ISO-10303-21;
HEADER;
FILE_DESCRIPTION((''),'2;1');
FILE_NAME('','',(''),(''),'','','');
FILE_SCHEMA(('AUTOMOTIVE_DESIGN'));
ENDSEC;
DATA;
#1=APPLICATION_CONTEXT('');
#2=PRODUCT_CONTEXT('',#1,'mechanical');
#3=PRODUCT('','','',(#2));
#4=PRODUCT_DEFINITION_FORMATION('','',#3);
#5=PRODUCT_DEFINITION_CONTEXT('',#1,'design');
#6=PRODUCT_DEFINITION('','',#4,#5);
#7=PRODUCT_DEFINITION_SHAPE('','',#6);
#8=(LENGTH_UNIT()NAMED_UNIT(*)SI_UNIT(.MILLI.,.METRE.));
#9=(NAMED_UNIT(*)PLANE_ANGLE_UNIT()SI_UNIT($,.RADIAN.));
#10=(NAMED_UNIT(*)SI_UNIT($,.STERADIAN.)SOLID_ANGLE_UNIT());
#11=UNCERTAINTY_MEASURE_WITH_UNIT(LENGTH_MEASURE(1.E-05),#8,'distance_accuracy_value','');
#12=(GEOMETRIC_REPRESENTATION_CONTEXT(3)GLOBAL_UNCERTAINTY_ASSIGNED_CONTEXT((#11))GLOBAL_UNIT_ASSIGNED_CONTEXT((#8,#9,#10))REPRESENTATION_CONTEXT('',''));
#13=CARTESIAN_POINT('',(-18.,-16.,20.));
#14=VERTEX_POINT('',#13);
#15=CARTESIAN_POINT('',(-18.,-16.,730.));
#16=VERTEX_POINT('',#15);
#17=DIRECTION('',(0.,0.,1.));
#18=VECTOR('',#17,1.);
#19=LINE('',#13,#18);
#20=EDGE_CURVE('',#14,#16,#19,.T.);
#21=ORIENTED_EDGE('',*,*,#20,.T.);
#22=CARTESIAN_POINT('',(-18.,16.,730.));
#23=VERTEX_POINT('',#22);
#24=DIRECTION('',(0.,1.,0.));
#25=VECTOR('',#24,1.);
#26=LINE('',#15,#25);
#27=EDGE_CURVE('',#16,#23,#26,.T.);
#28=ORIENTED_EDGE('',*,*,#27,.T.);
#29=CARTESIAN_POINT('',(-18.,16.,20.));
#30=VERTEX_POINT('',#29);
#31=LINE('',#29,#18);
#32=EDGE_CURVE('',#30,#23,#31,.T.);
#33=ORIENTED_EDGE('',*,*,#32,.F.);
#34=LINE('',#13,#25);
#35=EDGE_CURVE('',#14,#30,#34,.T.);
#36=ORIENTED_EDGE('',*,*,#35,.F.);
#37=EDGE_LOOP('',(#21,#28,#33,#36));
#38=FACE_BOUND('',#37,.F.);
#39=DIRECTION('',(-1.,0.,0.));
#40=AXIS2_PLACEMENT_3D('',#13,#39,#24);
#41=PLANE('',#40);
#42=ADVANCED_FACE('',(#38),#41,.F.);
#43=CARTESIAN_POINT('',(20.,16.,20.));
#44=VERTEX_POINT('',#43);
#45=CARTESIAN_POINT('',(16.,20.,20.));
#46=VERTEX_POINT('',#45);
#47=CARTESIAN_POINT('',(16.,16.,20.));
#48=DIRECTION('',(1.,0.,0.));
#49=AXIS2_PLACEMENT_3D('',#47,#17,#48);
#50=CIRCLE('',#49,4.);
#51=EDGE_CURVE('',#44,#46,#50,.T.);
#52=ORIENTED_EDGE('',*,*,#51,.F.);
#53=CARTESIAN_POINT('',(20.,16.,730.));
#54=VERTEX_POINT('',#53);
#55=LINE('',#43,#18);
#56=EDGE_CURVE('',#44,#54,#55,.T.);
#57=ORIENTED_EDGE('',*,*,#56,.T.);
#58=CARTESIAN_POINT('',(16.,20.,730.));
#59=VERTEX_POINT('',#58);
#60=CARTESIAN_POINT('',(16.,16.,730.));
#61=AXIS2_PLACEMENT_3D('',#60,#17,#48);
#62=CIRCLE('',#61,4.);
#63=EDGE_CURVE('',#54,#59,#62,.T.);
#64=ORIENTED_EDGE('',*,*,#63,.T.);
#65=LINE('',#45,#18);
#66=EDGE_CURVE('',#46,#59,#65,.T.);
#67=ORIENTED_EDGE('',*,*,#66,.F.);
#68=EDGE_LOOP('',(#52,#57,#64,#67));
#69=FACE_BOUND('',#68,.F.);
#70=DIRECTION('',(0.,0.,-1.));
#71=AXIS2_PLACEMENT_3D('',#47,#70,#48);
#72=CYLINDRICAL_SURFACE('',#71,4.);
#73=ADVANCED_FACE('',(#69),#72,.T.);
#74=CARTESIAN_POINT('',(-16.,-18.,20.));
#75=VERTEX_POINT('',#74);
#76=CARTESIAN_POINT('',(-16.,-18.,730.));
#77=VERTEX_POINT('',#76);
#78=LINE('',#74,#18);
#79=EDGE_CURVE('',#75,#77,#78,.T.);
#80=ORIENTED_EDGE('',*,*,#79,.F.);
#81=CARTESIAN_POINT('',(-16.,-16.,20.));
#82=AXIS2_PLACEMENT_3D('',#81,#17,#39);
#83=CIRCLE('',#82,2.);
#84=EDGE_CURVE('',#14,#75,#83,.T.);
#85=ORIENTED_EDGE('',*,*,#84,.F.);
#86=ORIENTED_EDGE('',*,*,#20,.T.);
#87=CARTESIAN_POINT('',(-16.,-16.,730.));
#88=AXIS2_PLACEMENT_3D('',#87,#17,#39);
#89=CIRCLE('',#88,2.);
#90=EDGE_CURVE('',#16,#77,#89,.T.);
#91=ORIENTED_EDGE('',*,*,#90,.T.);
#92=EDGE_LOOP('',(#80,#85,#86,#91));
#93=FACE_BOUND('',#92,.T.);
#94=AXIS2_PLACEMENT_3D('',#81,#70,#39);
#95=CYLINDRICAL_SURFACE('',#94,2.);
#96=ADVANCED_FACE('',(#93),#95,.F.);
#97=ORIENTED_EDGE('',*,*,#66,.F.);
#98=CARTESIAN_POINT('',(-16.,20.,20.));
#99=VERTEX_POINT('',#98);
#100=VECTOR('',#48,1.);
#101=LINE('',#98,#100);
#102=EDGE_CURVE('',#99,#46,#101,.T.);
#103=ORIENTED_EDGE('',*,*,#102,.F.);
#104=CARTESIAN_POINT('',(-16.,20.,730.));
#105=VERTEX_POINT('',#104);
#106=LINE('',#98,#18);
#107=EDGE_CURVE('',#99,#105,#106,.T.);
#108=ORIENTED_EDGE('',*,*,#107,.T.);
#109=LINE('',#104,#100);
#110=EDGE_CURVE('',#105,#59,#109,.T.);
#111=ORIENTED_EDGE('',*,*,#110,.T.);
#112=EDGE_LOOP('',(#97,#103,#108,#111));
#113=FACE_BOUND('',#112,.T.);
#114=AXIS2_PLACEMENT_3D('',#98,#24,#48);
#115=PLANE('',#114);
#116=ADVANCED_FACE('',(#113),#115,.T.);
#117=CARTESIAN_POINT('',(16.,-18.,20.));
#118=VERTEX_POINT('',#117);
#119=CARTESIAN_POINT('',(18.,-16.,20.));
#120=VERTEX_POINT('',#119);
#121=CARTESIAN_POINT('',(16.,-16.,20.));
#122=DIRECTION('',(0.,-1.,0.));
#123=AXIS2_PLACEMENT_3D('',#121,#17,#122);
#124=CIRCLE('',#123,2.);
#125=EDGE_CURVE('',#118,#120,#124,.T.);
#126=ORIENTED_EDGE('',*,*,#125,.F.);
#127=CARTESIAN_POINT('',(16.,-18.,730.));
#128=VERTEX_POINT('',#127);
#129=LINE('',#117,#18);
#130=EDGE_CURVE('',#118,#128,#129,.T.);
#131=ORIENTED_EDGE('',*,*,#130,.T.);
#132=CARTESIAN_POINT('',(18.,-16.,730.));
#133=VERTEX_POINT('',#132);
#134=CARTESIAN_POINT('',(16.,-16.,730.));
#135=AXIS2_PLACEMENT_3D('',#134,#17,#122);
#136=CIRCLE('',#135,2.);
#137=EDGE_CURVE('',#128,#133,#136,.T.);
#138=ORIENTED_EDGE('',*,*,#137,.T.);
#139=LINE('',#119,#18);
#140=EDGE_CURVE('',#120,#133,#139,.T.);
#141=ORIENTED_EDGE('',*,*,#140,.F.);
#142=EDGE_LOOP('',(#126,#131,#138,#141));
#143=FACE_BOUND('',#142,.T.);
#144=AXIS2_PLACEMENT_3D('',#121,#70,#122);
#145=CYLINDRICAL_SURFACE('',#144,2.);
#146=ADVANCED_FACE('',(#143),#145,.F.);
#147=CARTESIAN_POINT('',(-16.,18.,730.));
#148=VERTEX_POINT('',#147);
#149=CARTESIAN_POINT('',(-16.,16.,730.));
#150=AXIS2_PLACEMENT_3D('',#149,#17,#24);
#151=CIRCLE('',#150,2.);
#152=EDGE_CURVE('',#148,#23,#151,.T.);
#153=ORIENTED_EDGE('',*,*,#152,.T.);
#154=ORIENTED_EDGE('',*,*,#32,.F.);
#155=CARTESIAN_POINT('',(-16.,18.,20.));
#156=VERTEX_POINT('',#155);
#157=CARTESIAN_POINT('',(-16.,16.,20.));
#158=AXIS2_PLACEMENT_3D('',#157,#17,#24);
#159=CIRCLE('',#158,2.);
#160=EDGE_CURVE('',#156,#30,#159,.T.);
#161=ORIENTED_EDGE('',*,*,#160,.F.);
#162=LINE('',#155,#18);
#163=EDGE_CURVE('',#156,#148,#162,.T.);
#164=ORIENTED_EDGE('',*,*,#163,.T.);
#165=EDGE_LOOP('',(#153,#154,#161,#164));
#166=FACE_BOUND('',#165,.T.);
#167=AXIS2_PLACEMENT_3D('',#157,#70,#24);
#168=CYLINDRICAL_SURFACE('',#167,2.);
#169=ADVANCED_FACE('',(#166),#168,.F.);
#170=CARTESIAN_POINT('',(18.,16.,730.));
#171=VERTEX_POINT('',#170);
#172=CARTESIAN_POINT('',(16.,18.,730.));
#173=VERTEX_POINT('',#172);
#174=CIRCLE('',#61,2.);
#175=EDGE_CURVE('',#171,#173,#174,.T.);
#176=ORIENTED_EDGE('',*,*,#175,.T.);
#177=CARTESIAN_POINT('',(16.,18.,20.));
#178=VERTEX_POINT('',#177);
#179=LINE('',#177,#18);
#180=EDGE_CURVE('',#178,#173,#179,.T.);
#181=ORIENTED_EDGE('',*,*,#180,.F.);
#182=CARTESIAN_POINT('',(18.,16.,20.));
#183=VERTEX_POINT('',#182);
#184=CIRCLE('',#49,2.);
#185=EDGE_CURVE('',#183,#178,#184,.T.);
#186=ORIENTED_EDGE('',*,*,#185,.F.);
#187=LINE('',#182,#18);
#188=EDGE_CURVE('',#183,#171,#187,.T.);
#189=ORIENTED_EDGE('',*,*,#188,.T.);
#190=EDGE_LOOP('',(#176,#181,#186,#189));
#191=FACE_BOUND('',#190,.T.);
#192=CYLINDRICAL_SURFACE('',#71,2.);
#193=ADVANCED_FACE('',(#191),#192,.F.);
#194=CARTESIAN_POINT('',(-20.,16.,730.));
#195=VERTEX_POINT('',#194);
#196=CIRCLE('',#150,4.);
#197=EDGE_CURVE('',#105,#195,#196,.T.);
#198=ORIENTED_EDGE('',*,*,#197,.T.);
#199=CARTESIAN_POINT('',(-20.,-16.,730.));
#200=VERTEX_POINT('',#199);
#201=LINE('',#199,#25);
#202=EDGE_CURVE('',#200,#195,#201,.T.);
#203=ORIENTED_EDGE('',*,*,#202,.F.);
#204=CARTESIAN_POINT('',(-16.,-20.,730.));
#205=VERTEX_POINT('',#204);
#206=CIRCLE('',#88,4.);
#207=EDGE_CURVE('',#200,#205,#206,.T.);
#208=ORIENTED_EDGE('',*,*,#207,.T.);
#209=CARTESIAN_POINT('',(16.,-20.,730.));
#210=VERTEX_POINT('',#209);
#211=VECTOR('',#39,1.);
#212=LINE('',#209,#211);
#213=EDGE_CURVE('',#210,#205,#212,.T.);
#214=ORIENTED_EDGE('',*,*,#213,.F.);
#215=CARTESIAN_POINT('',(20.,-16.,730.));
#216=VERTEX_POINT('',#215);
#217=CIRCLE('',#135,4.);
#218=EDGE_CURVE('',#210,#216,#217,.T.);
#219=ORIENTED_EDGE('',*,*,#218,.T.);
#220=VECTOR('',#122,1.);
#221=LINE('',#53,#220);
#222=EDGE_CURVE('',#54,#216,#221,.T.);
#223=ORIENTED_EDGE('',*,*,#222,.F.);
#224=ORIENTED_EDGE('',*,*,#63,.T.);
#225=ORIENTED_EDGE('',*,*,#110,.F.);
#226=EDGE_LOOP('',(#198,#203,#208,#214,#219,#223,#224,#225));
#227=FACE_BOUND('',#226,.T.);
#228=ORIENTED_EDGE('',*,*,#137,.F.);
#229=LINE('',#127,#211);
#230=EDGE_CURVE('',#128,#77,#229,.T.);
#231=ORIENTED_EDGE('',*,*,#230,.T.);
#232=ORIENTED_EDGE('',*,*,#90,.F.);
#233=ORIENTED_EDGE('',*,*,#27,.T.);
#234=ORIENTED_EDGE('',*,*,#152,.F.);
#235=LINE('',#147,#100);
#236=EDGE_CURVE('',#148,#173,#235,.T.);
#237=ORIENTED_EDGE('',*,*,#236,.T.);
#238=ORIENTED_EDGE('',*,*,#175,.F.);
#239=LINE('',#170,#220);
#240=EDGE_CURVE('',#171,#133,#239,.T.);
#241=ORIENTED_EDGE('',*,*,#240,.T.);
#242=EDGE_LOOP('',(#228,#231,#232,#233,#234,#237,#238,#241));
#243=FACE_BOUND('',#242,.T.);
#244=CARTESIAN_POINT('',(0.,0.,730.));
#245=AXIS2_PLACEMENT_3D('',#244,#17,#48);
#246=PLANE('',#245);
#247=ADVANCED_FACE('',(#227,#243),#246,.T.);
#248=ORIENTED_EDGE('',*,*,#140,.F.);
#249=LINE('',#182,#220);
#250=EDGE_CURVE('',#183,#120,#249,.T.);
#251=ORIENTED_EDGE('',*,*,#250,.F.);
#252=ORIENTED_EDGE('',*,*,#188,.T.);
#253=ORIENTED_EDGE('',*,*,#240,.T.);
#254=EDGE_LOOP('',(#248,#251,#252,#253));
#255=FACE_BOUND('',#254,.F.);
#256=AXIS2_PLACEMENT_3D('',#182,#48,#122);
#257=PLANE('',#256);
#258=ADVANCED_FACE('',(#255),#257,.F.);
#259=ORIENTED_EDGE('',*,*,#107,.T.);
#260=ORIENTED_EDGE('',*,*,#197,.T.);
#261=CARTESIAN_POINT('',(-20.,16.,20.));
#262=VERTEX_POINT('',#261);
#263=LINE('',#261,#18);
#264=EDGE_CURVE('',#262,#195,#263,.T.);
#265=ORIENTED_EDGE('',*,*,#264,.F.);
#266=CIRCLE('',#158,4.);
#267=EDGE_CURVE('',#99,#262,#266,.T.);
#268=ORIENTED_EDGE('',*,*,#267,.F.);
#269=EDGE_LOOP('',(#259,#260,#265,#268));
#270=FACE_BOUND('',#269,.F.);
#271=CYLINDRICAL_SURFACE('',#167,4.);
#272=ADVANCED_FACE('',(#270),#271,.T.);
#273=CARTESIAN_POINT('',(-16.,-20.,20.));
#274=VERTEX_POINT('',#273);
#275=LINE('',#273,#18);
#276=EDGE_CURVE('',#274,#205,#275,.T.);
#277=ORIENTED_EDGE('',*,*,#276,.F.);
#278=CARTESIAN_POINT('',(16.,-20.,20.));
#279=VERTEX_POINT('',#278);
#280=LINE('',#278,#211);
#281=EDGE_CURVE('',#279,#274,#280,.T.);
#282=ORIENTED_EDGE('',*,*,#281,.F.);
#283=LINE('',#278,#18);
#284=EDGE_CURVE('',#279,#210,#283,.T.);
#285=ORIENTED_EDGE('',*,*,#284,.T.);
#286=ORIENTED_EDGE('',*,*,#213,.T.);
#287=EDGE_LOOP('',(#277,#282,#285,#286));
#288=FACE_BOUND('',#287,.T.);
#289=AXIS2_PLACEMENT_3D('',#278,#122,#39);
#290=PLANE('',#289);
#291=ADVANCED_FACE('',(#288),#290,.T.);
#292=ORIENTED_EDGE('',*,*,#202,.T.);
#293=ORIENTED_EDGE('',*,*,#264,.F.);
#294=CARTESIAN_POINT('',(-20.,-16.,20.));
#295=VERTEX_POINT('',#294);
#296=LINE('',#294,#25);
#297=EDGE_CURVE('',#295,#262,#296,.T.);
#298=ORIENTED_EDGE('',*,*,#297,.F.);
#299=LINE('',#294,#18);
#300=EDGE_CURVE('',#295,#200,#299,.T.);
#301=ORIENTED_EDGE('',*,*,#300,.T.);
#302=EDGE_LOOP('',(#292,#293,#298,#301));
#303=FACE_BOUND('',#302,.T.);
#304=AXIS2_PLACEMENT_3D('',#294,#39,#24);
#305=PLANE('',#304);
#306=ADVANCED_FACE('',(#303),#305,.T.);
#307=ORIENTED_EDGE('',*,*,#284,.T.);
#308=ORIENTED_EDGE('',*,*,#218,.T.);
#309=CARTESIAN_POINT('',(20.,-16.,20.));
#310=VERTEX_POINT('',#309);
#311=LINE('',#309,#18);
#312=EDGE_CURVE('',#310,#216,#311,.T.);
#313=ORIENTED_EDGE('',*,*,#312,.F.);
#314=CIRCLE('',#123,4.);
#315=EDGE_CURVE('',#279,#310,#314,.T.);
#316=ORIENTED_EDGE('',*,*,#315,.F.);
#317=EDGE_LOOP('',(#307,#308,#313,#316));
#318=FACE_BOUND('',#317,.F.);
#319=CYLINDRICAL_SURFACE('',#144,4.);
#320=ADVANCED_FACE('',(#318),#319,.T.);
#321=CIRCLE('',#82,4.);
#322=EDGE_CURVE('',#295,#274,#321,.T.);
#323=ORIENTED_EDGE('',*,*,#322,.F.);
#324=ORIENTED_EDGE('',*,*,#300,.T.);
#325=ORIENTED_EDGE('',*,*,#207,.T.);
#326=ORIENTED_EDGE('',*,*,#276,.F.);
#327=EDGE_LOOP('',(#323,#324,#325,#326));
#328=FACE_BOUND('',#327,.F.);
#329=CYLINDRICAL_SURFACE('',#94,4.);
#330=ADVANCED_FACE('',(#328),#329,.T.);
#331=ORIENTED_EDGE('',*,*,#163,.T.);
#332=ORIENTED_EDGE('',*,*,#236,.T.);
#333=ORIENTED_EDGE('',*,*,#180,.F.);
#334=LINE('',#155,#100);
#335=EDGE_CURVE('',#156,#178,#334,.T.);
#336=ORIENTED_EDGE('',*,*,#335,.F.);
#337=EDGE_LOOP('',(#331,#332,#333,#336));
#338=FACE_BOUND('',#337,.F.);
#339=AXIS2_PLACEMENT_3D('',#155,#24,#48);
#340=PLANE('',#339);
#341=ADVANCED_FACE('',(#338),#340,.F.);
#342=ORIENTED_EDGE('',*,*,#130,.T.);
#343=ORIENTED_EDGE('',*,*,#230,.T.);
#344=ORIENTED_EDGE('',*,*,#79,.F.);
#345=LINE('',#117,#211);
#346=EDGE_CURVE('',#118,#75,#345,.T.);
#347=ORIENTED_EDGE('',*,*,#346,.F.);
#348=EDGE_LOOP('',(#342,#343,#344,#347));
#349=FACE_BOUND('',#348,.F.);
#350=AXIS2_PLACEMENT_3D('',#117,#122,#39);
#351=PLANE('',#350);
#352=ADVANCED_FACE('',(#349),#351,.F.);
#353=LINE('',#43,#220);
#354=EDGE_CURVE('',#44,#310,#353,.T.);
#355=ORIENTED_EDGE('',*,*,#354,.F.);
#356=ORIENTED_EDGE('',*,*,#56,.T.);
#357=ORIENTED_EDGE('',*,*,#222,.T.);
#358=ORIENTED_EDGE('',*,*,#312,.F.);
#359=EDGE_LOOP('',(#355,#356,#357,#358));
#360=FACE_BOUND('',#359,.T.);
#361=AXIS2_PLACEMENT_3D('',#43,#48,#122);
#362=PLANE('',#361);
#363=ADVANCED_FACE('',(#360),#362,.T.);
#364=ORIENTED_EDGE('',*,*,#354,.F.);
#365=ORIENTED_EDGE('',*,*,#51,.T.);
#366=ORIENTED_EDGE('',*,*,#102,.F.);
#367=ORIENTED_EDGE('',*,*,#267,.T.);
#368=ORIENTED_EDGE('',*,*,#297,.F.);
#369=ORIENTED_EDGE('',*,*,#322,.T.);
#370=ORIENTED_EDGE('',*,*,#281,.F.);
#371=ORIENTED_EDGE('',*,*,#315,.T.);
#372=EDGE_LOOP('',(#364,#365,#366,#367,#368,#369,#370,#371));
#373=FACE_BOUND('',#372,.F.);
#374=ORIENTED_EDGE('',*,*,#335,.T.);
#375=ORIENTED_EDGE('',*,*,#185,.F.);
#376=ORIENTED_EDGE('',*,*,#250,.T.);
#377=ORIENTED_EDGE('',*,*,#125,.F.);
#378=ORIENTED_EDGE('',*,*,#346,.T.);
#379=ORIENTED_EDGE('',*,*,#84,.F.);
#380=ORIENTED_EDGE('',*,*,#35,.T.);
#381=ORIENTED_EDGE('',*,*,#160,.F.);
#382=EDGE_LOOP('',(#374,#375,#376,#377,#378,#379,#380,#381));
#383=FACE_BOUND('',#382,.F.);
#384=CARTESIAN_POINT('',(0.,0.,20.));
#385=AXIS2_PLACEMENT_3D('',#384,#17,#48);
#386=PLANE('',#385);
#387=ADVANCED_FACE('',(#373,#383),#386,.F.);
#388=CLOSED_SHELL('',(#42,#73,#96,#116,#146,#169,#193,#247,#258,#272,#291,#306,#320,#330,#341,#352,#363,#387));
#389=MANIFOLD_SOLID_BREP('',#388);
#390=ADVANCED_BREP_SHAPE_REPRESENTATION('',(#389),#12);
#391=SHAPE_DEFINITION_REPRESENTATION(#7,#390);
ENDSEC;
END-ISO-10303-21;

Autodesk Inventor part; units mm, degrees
ref_plane "YZ Plane" through (0, 0, 0) normal (1, 0, 0) x (0, 1, 0)
ref_plane "Start Plane" through (0, 0, 20) normal (0, 0, 1) x (1, 0, 0)
ref_plane "End Plane" through (0, 0, 730) normal (0, 0, 1) x (1, 0, 0)
sketch "Sketch" plane through (0, 0, 0) normal (0, 0, 1) x (1, 0, 0)
  line L0 (-20, -16) -> (-20, 16)
  line L1 (-16, 20) -> (16, 20)
  line L2 (20, 16) -> (20, -16)
  line L3 (16, -20) -> (-16, -20)
  arc A0 (-20, -16) -> (-16, -20) centre (-16, -16) ccw
  arc A1 (20, 16) -> (16, 20) centre (16, 16) ccw
  arc A2 (-16, 20) -> (-20, 16) centre (-16, 16) ccw
  arc A3 (16, -20) -> (20, -16) centre (16, -16) ccw
  arc A4 (-16, 18) -> (-18, 16) centre (-16, 16) ccw
  line L4 (-16, 18) -> (16, 18)
  arc A5 (18, 16) -> (16, 18) centre (16, 16) ccw
  line L5 (18, 16) -> (18, -16)
  arc A6 (16, -18) -> (18, -16) centre (16, -16) ccw
  line L6 (16, -18) -> (-16, -18)
  arc A7 (-18, -16) -> (-16, -18) centre (-16, -16) ccw
  line L7 (-18, -16) -> (-18, 16)
  line L8 (0, 29.1598) -> (0, -29.1598) construction
  line L9 (-29.1598, 0) -> (29.1598, 0) construction
  dimension "d7" = 4
  dimension "d9" = 40
  dimension "d11" = 40
  dimension "d12" = 2
  dimension "d15" = 20
  dimension "d16" = 20
extrude "Body" add sketch "Sketch" along normal up to surface (710 mm away) from surface at 20
sketch "Sketch3" plane through (0, 0, 0) normal (0, 0, 1) x (1, 0, 0)
  line L0 (0, 0) -> (10, 0)
ref_plane "Work Plane3" through (0, 0, 0) normal (0, -1, 0) x (1, 0, 0)
sketch "Sketch4" plane through (0, 0, 0) normal (0, -1, 0) x (1, 0, 0)
  line L0 (-2, 20) -> (12, 20) projected
  line L1 (-2, 730) -> (12, 730) projected
  dimension "d18" = 710
equation "\"d7\" = G_IR"
equation "\"d9\" = G_W"
equation "\"d11\" = G_H"
equation "\"d12\" = G_T"
equation "\"d15\" = 0.5 * d9"
equation "\"d16\" = 0.5 * d11"
equation "\"d3\" = G_L"
equation "\"G_W\" = 40"
equation "\"G_H\" = 40"
equation "\"G_T\" = 2"
equation "\"G_IR\" = 4"
equation "\"G_L\" = d18"
properties part number "ISO 4019 - 40x40x2 - 710" material "Steel, Mild"
